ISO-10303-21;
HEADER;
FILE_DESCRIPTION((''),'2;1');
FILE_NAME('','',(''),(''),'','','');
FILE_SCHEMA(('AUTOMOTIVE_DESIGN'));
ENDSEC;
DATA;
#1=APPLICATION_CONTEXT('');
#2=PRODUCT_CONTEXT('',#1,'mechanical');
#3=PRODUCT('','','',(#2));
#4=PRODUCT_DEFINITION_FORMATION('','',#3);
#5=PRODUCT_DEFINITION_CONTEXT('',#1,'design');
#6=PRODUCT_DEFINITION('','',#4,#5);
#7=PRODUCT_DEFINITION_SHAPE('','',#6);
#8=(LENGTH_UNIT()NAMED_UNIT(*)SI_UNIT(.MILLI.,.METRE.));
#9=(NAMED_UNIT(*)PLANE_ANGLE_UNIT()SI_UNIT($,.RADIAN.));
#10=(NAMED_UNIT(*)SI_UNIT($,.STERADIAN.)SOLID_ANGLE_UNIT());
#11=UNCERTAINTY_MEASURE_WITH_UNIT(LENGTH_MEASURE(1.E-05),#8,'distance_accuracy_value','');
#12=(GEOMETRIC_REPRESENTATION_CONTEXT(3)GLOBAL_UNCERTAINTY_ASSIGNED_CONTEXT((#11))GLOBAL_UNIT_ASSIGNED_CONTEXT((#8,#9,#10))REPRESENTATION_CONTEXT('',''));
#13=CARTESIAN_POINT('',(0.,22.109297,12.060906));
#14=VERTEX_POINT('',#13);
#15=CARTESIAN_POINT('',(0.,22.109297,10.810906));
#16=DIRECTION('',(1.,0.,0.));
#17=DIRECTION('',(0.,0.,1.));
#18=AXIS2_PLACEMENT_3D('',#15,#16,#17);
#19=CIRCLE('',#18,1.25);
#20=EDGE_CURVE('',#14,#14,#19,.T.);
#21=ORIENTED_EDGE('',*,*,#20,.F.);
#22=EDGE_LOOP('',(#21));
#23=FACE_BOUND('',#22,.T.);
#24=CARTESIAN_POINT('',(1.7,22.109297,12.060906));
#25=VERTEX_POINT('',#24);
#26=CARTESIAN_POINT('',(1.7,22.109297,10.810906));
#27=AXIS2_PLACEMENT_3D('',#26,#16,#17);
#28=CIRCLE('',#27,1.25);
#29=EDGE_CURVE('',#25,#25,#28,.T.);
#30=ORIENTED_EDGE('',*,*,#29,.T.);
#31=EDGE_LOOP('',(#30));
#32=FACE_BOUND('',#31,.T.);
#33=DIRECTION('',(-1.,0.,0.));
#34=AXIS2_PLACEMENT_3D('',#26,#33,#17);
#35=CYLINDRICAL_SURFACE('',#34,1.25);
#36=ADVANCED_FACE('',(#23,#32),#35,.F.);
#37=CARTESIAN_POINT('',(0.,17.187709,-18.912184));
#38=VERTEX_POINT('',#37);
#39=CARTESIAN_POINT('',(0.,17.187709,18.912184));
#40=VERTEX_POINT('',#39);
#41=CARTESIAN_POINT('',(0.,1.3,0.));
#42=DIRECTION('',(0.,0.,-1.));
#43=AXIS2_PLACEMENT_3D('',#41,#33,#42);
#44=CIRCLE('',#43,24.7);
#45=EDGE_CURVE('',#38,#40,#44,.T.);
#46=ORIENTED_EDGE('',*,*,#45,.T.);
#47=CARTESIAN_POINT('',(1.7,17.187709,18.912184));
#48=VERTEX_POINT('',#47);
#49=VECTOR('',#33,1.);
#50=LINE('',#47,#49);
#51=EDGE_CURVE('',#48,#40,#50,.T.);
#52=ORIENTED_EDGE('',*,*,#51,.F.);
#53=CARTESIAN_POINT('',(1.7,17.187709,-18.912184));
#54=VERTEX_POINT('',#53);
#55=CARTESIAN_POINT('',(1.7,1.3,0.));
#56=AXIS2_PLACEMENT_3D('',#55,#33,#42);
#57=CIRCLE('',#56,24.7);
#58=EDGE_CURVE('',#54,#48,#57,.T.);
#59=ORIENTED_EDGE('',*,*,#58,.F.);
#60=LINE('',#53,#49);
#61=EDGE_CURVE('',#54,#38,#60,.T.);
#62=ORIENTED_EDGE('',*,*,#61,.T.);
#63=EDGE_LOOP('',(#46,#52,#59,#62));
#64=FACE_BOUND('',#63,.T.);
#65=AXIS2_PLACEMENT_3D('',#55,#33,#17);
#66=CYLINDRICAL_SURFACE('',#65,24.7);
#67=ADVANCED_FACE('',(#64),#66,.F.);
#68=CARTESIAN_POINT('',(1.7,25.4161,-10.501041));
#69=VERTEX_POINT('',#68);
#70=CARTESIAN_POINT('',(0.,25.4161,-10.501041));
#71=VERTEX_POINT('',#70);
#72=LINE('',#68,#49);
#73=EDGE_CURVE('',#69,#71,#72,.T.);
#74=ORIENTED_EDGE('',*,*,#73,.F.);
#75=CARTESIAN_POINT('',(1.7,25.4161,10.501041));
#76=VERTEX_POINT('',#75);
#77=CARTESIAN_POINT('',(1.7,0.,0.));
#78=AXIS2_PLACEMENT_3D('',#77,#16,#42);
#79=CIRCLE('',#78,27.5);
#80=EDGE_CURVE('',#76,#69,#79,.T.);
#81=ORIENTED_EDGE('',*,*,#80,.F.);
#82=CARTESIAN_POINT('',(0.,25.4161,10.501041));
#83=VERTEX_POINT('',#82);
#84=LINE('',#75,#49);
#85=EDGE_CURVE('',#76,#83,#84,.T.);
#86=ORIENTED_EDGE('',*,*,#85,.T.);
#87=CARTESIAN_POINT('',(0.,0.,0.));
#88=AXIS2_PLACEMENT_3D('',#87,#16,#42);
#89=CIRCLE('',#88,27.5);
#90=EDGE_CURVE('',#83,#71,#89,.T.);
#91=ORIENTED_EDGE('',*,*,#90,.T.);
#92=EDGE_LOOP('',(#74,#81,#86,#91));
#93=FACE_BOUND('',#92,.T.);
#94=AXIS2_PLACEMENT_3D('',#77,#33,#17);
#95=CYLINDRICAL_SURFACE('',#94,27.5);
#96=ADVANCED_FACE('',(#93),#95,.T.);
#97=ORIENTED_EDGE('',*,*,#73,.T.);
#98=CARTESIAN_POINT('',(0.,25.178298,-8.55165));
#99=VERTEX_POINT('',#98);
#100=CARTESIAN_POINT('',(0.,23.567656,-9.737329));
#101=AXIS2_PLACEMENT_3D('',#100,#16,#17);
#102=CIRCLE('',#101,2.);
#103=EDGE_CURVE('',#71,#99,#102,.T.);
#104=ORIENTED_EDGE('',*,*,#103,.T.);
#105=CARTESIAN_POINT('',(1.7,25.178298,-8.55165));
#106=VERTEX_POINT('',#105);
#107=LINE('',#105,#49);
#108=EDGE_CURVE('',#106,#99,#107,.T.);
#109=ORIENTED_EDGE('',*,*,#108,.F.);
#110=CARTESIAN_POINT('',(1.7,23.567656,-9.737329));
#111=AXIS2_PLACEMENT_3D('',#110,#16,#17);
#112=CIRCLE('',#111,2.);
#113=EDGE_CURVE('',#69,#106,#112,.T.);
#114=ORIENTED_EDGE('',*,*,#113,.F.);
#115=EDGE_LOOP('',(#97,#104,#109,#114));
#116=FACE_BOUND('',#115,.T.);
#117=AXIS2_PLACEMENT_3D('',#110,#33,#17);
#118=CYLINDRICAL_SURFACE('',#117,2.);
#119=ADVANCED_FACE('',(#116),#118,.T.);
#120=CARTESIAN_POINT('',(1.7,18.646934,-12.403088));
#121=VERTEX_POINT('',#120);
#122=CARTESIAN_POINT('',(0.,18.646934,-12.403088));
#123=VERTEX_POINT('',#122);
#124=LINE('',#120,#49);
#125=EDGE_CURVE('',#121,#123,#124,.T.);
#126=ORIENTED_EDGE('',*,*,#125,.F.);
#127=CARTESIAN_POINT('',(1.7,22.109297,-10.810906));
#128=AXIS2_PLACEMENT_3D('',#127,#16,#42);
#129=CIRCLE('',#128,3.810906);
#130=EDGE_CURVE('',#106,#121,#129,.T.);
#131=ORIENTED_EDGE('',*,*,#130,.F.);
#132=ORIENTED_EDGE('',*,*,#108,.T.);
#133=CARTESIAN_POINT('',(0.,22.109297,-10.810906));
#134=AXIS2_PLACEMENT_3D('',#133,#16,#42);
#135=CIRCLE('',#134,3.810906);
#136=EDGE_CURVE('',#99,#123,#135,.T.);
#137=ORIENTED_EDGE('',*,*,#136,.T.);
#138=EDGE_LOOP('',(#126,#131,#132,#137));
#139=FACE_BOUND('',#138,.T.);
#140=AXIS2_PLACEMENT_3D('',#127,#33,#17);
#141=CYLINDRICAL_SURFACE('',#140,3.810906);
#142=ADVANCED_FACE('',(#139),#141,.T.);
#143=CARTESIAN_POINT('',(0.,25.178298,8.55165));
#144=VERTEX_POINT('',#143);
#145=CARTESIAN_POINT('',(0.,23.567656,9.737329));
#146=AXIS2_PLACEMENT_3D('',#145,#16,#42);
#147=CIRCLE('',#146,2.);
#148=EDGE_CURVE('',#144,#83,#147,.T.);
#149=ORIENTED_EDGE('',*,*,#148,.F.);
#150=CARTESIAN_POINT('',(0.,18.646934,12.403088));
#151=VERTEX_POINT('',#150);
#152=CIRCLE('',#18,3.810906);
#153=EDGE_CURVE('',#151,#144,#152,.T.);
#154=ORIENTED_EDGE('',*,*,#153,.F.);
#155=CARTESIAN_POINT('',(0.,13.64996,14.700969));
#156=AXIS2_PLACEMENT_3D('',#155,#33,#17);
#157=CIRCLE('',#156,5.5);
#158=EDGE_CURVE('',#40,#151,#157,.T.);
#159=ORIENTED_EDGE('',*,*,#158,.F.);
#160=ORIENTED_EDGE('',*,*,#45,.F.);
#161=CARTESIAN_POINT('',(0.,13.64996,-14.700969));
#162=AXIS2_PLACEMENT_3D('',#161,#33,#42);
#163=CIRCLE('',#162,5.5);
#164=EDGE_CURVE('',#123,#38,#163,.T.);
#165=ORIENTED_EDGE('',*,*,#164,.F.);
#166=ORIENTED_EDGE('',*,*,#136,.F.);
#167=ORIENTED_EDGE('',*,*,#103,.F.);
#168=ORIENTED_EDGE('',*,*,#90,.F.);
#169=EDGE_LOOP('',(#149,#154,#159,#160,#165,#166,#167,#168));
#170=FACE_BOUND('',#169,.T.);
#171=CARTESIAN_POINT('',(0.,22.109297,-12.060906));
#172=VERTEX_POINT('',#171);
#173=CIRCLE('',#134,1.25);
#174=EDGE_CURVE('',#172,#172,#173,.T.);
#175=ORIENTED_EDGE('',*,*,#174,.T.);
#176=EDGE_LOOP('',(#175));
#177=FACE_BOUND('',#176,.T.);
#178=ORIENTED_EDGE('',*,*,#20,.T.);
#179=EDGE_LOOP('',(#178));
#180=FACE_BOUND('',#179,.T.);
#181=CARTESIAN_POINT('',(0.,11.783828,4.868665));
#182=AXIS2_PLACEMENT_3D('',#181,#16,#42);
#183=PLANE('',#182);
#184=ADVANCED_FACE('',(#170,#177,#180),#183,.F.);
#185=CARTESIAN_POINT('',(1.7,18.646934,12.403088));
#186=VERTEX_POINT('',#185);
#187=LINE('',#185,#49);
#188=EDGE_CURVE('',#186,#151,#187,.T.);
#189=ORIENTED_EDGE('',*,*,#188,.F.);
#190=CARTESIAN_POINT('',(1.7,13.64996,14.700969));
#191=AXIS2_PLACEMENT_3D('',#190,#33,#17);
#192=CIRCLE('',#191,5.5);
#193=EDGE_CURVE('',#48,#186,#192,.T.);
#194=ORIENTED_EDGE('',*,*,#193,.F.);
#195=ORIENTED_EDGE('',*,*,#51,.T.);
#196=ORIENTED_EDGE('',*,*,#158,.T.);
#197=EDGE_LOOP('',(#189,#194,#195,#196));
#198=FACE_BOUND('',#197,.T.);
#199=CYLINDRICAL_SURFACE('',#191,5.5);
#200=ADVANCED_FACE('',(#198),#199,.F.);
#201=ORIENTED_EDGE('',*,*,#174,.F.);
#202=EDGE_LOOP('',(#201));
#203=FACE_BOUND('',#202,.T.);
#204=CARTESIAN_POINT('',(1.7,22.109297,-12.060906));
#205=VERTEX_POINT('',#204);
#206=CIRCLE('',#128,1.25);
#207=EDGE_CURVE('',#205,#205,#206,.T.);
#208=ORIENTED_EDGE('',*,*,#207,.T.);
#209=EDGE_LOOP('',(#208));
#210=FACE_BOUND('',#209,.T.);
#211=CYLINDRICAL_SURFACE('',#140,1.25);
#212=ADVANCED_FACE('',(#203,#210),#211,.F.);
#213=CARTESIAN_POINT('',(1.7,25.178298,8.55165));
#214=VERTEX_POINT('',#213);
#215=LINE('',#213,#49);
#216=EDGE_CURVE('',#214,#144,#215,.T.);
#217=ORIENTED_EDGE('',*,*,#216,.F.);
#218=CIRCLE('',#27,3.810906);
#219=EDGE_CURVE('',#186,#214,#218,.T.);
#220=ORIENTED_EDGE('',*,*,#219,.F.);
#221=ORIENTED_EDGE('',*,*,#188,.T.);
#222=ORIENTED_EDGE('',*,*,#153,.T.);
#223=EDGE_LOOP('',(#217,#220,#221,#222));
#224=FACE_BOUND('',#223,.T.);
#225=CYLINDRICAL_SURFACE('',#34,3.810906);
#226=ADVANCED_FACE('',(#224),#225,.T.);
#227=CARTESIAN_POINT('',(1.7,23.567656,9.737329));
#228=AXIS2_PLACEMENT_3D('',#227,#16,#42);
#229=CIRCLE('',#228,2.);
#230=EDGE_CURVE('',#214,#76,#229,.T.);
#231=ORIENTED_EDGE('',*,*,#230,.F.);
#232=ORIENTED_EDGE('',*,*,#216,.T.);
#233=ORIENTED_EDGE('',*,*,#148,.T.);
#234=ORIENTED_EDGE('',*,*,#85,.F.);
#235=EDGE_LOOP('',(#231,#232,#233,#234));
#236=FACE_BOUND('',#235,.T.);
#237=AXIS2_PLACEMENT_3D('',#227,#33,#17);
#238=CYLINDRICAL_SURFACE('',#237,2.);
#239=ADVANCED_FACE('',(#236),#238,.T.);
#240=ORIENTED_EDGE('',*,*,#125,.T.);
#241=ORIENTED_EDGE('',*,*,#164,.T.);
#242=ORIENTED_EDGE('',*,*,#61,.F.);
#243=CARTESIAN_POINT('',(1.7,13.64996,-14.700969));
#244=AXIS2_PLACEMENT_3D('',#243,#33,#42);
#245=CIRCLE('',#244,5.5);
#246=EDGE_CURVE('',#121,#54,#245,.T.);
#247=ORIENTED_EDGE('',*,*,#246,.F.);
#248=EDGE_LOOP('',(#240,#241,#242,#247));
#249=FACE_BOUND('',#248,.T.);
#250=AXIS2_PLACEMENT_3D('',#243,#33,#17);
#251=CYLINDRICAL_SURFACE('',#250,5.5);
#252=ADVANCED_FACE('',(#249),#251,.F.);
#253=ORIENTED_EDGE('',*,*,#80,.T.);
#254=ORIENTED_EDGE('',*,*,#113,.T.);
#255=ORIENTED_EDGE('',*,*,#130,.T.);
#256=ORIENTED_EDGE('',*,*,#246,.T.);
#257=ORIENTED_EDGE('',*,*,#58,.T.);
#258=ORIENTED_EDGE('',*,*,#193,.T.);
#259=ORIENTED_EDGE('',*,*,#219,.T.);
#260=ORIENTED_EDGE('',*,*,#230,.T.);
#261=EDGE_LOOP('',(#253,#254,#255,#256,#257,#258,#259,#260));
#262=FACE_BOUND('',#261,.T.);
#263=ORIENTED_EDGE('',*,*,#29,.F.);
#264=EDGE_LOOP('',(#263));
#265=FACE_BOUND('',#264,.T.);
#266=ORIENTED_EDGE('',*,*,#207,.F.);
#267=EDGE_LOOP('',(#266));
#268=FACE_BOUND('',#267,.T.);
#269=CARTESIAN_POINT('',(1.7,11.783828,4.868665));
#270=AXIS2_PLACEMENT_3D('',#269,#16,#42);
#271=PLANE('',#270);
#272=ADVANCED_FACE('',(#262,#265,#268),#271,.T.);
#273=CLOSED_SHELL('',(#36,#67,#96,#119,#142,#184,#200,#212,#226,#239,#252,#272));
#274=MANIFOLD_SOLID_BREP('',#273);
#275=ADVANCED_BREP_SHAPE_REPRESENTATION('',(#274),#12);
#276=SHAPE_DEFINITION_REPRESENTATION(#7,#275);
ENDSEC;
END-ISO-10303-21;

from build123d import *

# Parameters (mm, degrees)
SKETCH_1_R      = 1.25
EXTRUDE_1_DEPTH = 1.7


with BuildPart() as part:
    # Эскиз1 → Бобышка-Вытянуть1 (new body)
    with BuildSketch(Plane(origin=(0, 0, 0), x_dir=(0, 0, -1), z_dir=(1, 0, 0))):
        with BuildLine():
            ThreePointArc((-10.501041402, 25.416099808), (0, -27.5), (10.501041402, 25.416099808))
            ThreePointArc((10.501041402, 25.416099808), (9.49514864, 25.55293917), (8.55165041, 25.17829754))
            ThreePointArc((8.55165041, 25.17829754), (7.528235251, 20.173559762), (12.403088301, 18.646933891))
            ThreePointArc((12.403088301, 18.646933891), (15.90410896, 19.016751997), (18.912183735, 17.187709287))
            ThreePointArc((18.912183735, 17.187709287), (0, -23.4), (-18.912183735, 17.187709287))
            ThreePointArc((-18.912183735, 17.187709287), (-15.90410896, 19.016751997), (-12.403088301, 18.646933891))
            ThreePointArc((-12.403088301, 18.646933891), (-7.528235251, 20.173559762), (-8.55165041, 25.17829754))
            ThreePointArc((-8.55165041, 25.17829754), (-9.49514864, 25.55293917), (-10.501041402, 25.416099808))
        make_face()
        with Locations((10.810905529, 22.10929652)):
            Circle(SKETCH_1_R, mode=Mode.SUBTRACT)
        with Locations((-10.810905529, 22.10929652)):
            Circle(SKETCH_1_R, mode=Mode.SUBTRACT)
    extrude(amount=EXTRUDE_1_DEPTH)


solid = part.part
